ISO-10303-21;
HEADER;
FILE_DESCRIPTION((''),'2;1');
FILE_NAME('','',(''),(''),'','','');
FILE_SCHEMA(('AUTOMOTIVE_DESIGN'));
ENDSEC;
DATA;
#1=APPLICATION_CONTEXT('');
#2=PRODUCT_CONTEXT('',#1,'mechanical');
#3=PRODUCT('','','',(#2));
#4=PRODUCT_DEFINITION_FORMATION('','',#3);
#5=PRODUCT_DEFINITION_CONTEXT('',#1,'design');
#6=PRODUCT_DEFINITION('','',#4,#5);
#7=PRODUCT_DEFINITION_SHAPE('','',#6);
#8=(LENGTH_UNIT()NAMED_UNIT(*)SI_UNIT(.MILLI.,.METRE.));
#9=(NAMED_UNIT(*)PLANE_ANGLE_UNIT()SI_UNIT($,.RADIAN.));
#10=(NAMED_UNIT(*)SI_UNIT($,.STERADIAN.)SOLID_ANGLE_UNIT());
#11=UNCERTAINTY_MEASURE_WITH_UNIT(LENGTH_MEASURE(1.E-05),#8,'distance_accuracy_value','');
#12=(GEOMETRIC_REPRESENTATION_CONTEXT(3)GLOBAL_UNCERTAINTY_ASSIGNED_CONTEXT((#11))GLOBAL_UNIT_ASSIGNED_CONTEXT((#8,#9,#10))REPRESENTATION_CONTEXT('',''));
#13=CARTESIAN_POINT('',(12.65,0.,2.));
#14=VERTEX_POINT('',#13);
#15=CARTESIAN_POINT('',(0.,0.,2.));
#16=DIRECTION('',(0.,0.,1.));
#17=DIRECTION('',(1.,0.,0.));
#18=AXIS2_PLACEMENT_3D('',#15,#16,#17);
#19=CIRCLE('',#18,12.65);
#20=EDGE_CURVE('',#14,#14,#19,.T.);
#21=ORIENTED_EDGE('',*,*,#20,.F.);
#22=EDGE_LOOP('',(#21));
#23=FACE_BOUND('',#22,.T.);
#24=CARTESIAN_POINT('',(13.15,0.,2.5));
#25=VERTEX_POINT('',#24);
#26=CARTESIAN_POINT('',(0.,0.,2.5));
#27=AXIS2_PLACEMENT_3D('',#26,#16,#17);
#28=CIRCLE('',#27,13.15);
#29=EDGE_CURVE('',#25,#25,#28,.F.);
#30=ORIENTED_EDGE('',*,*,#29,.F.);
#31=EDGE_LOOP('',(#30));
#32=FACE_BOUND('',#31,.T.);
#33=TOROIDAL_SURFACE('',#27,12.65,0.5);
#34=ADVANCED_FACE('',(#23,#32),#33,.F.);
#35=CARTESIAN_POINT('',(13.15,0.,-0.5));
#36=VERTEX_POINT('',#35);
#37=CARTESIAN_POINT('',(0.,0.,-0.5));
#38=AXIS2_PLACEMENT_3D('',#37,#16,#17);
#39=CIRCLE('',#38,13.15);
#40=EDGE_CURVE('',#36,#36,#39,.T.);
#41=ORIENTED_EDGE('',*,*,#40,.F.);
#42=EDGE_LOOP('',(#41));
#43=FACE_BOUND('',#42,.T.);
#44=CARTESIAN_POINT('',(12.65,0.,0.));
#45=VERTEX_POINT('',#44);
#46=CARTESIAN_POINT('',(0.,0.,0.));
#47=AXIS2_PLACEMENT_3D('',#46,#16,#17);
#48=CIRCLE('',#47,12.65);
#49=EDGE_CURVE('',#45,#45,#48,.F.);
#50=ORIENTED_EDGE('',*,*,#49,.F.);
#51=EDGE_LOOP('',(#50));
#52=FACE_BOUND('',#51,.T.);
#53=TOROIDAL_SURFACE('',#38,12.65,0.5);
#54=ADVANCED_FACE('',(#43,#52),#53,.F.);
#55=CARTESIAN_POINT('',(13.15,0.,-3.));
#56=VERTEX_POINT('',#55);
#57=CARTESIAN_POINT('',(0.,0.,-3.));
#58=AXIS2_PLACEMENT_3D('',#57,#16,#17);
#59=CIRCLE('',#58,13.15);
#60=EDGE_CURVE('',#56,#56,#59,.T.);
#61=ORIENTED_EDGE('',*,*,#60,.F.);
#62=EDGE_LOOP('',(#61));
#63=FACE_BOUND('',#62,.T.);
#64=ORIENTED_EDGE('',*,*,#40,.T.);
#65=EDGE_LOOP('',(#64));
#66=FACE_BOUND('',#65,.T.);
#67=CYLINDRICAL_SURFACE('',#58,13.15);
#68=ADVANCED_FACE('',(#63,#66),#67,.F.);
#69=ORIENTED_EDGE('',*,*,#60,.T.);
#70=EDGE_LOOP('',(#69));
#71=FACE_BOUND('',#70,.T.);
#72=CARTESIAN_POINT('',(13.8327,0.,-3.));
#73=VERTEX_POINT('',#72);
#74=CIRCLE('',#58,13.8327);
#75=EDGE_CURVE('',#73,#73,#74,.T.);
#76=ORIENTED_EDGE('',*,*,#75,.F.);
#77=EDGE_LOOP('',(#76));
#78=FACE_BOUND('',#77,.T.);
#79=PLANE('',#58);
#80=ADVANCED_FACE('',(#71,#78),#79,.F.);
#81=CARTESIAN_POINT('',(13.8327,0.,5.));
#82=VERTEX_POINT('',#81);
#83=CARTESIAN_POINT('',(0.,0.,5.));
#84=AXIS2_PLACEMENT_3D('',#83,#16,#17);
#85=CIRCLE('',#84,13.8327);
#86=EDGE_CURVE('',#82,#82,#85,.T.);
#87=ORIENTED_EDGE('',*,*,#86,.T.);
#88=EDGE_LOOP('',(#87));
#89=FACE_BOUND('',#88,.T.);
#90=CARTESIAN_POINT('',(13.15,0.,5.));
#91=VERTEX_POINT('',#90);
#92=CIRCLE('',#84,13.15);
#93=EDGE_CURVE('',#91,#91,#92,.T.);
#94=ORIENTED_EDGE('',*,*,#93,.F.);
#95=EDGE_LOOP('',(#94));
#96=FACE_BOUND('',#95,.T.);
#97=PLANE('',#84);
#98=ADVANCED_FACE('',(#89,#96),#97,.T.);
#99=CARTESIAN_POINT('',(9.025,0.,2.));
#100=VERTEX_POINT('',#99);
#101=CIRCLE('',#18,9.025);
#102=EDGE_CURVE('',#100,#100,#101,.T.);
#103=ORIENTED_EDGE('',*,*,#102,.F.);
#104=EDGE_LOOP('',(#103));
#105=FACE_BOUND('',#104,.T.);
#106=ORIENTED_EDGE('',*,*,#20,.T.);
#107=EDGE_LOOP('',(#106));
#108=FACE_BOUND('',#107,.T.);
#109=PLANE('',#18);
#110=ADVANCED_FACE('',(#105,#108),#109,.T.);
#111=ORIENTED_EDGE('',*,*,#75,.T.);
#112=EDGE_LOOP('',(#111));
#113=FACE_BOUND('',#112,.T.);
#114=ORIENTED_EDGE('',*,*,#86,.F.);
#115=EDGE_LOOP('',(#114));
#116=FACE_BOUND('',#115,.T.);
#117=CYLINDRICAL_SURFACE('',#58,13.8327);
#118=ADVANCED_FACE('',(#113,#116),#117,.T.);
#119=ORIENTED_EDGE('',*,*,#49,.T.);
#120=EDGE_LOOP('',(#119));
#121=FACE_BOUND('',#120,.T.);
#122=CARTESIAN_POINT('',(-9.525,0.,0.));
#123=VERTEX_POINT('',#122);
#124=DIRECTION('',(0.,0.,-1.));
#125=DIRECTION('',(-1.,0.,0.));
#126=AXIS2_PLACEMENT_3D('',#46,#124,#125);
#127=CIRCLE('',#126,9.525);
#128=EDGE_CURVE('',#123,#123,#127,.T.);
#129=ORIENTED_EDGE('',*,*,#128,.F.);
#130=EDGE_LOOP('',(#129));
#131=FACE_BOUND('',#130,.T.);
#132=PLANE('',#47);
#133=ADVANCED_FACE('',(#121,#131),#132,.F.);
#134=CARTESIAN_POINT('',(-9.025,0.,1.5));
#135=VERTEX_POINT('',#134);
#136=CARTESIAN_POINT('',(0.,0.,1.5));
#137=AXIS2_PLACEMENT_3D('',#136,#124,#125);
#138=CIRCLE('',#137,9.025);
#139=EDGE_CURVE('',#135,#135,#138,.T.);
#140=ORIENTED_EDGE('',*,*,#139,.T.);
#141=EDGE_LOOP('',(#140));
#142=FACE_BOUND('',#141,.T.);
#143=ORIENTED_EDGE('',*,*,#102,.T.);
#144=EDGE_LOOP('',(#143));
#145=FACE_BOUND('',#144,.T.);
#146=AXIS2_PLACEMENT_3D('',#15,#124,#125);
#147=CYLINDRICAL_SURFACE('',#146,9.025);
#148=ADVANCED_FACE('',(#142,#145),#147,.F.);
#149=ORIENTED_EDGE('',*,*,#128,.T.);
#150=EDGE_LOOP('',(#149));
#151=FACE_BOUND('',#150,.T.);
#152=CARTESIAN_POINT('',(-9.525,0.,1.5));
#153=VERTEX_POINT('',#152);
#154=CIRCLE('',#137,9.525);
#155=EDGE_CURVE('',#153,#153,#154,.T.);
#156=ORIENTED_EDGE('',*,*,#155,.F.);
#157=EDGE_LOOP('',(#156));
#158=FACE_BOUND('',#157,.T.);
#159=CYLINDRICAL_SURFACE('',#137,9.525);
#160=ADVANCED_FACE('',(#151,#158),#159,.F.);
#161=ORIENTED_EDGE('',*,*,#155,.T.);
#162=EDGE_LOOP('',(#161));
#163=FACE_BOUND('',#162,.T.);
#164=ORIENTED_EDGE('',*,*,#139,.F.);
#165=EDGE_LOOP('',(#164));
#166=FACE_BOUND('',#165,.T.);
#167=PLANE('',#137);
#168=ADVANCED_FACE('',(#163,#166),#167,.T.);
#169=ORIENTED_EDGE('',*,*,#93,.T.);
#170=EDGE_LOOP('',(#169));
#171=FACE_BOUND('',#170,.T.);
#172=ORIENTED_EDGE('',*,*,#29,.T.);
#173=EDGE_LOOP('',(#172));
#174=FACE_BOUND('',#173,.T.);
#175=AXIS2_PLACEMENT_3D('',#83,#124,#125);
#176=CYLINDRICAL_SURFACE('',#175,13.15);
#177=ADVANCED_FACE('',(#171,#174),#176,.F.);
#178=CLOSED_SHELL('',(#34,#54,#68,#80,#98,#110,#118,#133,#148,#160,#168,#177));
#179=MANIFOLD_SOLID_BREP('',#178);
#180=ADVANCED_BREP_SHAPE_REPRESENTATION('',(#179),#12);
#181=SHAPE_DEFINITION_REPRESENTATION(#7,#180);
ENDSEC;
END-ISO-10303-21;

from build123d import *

# Parameters (mm, degrees)
SKETCH1_R           = 13.8327
SKETCH1_R_2         = 13.15
BOSS_EXTRUDE1_DEPTH = 3
BOSS_EXTRUDE2_START = 2
SKETCH2_R           = 13.8327
SKETCH2_R_2         = 9.025
BOSS_EXTRUDE2_DEPTH = 2
BOSS_EXTRUDE3_START = 3
SKETCH3_R           = 13.8327
SKETCH3_R_2         = 13.15
BOSS_EXTRUDE3_DEPTH = 3
FILLET1_R           = 0.5
SKETCH4_R           = 9.525
CUT_EXTRUDE2_DEPTH  = 1.5


with BuildPart() as part:
    # Sketch1 → Boss-Extrude1 (new body)
    with BuildSketch(Plane.XY):
        Circle(SKETCH1_R)
        Circle(SKETCH1_R_2, mode=Mode.SUBTRACT)
    extrude(amount=-BOSS_EXTRUDE1_DEPTH)

    # Sketch2 → Boss-Extrude2 (add)
    with BuildSketch(Plane.XY.offset(BOSS_EXTRUDE2_START)):
        Circle(SKETCH2_R)
        Circle(SKETCH2_R_2, mode=Mode.SUBTRACT)
    extrude(amount=-BOSS_EXTRUDE2_DEPTH)

    # Sketch3 → Boss-Extrude3 (add)
    with BuildSketch(Plane.XY.offset(2).offset(BOSS_EXTRUDE3_START)):
        Circle(SKETCH3_R)
        Circle(SKETCH3_R_2, mode=Mode.SUBTRACT)
    extrude(amount=-BOSS_EXTRUDE3_DEPTH)

    # Fillet1
    fillet1_edges = [part.edges().sort_by_distance(p)[0] for p in [
        (-13.15, 0, 0),
        (-13.15, 0, 2),
    ]]
    fillet(fillet1_edges, radius=FILLET1_R)

    # Sketch4 → Cut-Extrude2 (cut)
    with BuildSketch(Plane(origin=(0, 0, 0), x_dir=(-1, 0, 0), z_dir=(0, 0, -1))):
        Circle(SKETCH4_R)
    extrude(amount=-CUT_EXTRUDE2_DEPTH, mode=Mode.SUBTRACT)


solid = part.part
